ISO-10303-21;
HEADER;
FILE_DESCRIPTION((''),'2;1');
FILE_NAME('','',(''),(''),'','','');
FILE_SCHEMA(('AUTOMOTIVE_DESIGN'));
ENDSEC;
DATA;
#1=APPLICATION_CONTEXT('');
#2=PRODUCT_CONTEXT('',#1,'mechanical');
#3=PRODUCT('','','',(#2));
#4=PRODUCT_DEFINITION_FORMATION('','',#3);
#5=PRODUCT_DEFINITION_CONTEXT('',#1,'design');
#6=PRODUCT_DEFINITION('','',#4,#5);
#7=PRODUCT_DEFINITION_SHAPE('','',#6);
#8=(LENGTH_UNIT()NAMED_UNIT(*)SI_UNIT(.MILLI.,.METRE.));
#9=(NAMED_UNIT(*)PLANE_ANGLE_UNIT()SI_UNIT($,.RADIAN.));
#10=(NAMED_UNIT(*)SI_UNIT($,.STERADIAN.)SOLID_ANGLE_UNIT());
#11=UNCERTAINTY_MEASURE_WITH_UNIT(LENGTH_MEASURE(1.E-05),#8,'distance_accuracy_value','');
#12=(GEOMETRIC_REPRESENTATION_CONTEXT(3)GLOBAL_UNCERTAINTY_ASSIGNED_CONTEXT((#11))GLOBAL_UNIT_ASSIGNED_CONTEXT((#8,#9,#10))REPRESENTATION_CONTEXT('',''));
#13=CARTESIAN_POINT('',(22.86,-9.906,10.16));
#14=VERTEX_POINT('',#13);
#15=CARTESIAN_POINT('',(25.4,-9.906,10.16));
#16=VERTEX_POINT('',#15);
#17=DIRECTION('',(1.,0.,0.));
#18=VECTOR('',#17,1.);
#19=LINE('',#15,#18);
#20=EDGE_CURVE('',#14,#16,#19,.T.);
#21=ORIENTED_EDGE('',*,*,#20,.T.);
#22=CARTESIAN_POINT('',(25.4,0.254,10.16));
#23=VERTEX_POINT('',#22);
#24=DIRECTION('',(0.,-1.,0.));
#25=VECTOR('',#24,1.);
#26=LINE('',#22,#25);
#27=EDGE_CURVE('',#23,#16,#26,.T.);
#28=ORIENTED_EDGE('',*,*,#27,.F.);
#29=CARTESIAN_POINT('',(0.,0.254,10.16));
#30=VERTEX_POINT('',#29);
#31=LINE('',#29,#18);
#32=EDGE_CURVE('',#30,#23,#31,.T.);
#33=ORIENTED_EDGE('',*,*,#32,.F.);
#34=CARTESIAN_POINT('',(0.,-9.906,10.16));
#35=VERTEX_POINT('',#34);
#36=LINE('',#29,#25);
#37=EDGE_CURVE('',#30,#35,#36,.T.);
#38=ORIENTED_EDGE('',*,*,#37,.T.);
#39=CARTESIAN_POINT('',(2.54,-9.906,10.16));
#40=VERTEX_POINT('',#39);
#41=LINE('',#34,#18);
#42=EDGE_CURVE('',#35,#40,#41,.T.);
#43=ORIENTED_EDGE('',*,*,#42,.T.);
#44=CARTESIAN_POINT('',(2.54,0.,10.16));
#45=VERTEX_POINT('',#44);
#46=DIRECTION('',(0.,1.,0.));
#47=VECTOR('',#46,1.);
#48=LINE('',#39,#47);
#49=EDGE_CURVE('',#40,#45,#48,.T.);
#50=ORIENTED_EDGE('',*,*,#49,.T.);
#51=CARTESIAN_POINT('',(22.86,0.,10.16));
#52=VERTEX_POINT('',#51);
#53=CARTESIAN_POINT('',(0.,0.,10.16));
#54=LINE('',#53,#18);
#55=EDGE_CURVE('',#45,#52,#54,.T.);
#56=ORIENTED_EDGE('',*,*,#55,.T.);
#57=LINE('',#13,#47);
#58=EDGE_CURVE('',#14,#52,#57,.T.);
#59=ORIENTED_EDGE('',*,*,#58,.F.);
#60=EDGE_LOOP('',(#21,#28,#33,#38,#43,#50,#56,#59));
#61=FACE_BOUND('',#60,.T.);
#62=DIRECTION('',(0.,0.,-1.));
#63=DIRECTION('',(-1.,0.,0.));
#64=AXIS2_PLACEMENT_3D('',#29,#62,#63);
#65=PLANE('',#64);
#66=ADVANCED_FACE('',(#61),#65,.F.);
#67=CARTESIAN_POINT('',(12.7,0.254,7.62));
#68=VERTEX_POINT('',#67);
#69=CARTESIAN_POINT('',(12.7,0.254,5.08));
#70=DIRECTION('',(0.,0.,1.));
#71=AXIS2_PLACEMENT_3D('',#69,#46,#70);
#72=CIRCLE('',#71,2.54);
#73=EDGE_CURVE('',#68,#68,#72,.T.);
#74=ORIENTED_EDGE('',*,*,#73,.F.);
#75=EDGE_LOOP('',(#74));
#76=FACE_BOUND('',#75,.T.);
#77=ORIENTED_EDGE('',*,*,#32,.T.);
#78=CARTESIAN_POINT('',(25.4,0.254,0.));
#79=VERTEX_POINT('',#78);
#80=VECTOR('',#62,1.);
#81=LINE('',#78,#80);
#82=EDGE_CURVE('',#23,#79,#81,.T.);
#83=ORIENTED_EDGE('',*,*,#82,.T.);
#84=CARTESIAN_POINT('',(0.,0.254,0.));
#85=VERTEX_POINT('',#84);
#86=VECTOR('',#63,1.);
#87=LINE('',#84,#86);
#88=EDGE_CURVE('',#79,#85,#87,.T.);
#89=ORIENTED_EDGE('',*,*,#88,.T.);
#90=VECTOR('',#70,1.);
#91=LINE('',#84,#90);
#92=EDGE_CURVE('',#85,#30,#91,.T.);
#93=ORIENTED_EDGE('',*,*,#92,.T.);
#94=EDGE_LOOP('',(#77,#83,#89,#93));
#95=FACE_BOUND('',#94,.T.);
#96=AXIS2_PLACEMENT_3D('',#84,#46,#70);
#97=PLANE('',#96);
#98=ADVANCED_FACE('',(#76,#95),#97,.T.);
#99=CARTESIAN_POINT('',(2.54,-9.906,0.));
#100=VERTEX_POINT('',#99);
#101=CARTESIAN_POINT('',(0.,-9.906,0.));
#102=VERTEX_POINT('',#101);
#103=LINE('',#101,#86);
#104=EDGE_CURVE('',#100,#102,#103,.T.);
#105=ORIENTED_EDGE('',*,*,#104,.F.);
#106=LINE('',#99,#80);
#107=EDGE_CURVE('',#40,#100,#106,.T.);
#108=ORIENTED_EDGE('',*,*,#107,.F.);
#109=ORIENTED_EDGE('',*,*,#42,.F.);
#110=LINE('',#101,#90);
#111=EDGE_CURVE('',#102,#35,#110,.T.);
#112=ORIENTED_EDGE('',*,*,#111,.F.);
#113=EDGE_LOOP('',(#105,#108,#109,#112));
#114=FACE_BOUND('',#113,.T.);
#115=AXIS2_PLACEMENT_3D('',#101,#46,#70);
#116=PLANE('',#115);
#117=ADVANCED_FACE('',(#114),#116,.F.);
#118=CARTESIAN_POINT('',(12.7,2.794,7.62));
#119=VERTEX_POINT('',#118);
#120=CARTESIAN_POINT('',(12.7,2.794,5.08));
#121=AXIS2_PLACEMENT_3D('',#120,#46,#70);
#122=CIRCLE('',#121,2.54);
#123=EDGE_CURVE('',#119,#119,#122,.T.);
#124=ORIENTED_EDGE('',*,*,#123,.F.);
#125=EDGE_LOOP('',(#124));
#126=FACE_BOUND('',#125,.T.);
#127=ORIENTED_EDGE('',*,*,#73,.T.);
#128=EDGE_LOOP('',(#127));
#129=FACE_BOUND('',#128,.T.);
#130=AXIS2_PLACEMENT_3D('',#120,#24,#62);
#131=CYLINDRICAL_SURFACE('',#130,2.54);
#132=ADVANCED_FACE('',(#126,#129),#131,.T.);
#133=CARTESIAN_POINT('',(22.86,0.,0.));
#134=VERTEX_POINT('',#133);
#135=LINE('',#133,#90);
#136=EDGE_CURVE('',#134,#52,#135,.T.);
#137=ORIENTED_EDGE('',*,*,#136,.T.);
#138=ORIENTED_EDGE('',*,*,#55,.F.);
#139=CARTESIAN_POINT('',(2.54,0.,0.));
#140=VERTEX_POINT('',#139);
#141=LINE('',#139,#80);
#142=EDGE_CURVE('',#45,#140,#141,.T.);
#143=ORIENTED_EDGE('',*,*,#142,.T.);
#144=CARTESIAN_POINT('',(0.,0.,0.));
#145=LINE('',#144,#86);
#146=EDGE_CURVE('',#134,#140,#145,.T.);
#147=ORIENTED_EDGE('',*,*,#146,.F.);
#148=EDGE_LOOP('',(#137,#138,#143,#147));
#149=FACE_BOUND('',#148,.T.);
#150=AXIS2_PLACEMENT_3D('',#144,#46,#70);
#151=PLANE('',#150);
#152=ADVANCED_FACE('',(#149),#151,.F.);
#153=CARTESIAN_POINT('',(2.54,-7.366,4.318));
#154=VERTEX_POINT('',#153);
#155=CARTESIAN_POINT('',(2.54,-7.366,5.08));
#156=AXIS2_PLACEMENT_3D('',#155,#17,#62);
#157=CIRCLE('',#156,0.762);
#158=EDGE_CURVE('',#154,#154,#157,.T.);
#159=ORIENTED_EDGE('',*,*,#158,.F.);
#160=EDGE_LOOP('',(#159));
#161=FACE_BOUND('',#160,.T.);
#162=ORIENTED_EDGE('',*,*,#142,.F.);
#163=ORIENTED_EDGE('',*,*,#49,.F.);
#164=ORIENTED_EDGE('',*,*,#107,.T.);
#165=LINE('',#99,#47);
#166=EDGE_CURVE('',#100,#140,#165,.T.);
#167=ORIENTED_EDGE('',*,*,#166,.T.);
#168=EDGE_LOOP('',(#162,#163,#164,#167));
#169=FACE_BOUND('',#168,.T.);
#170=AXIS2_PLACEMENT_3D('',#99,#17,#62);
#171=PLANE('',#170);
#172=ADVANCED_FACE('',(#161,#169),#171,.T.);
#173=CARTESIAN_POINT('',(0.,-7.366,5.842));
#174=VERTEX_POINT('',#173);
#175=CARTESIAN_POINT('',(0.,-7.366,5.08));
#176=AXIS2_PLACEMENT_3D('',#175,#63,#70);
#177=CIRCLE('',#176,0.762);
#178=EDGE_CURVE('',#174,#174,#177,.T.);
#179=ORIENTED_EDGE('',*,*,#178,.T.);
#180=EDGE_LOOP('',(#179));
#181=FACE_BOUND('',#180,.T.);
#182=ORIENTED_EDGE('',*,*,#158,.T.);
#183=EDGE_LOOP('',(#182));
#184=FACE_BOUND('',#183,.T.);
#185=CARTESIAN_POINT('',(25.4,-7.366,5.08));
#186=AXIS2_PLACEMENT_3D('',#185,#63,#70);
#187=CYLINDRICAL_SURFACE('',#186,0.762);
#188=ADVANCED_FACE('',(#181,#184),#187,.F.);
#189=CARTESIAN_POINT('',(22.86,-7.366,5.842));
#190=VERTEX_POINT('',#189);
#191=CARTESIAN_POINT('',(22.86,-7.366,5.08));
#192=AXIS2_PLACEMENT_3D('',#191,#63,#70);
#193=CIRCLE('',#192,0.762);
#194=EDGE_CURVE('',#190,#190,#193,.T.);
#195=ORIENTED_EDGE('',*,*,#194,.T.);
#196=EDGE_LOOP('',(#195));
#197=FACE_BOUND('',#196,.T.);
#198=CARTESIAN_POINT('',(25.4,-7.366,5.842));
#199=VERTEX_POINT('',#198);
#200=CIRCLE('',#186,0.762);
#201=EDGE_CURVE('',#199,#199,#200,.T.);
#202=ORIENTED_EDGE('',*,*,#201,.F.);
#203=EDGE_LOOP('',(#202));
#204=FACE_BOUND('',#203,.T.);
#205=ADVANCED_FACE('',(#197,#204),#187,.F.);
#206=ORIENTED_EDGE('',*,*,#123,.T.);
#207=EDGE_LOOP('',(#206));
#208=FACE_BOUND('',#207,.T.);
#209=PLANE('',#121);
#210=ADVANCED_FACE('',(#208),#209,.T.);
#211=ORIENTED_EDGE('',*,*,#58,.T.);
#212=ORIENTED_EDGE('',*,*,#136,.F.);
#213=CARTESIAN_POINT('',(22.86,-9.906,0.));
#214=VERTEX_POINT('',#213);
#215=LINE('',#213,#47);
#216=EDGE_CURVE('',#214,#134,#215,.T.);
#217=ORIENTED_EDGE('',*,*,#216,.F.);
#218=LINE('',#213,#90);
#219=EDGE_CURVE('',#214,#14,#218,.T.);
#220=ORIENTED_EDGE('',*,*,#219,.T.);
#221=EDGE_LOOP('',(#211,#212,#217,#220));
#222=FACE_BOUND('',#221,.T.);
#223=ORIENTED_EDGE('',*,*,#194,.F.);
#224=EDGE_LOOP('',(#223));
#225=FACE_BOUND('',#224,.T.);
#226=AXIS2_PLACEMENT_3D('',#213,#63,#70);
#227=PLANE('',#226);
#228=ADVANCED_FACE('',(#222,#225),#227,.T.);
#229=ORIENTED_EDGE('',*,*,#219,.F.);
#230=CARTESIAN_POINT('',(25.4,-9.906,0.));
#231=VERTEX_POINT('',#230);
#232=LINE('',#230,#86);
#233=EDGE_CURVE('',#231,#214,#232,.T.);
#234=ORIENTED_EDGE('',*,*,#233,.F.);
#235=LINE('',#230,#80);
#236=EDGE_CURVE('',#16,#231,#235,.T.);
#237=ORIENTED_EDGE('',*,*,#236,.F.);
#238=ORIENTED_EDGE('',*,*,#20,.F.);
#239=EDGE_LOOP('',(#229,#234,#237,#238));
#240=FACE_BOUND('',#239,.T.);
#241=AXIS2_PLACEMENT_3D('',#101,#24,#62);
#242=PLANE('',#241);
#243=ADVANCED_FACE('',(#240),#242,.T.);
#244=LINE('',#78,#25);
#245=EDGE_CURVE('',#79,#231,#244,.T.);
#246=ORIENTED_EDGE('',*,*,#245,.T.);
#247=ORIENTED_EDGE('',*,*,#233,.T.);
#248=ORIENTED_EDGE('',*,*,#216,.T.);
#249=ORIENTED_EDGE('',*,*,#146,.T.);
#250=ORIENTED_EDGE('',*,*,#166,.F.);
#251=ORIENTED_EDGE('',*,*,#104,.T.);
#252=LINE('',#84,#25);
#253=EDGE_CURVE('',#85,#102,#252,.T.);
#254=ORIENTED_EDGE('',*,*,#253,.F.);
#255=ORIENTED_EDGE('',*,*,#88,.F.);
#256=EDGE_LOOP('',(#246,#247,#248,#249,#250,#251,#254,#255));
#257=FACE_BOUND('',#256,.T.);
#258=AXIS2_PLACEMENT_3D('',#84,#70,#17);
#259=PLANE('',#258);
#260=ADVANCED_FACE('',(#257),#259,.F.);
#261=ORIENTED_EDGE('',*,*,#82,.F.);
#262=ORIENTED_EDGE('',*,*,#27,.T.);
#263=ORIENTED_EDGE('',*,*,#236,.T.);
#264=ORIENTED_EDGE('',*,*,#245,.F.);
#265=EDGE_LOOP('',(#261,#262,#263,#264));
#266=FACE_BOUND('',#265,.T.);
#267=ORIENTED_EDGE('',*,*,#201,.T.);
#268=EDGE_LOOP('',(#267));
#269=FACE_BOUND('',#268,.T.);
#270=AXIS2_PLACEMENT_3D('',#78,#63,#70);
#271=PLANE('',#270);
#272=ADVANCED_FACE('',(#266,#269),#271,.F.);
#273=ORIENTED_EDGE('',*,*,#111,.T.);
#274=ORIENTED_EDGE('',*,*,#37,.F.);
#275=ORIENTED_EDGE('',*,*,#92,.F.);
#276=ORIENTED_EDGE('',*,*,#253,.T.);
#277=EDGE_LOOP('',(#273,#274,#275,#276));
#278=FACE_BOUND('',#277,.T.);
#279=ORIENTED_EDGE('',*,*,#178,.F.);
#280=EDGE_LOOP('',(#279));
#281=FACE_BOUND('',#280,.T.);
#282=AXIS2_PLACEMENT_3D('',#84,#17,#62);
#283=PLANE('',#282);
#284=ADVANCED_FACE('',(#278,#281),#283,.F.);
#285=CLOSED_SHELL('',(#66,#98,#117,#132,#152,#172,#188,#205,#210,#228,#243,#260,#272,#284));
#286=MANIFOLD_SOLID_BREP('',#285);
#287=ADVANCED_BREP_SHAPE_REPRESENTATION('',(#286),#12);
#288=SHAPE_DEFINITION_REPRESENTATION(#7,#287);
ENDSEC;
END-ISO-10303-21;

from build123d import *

# Parameters (mm, degrees)
SKETCH1_W           = 25.4
SKETCH1_H           = 10.16
BOSS_EXTRUDE2_DEPTH = 0.254
SKETCH2_R           = 2.54
BOSS_EXTRUDE3_DEPTH = 2.54
SKETCH3_W           = 2.54
SKETCH3_H           = 10.16
BOSS_EXTRUDE4_DEPTH = 10.16
SKETCH4_R           = 0.762
CUT_EXTRUDE2_DEPTH  = 25.4


with BuildPart() as part:
    # Sketch1 → Boss-Extrude2 (new body)
    with BuildSketch(Plane(origin=(0, 0, 0), x_dir=(1, 0, 0), z_dir=(0, 1, 0))):
        with Locations((12.7, -5.08)):
            Rectangle(SKETCH1_W, SKETCH1_H)
    extrude(amount=BOSS_EXTRUDE2_DEPTH)

    # Sketch2 → Boss-Extrude3 (add)
    with BuildSketch(Plane(origin=(0, 0.254, 0), x_dir=(1, 0, 0), z_dir=(0, 1, 0))):
        with Locations((12.7, -5.08)):
            Circle(SKETCH2_R)
    extrude(amount=BOSS_EXTRUDE3_DEPTH)

    # Sketch3 → Boss-Extrude4 (add)
    with BuildSketch(Plane(origin=(0, 0.254, 0), x_dir=(1, 0, 0), z_dir=(0, 1, 0))):
        with Locations((1.27, -5.08)):
            Rectangle(SKETCH3_W, SKETCH3_H)
        with Locations((24.13, -5.08)):
            Rectangle(SKETCH3_W, SKETCH3_H)
    extrude(amount=-BOSS_EXTRUDE4_DEPTH)

    # Sketch4 → Cut-Extrude2 (cut)
    with BuildSketch(Plane.ZY):
        with Locations((5.08, -7.366)):
            Circle(SKETCH4_R)
    extrude(amount=-CUT_EXTRUDE2_DEPTH, mode=Mode.SUBTRACT)


solid = part.part
